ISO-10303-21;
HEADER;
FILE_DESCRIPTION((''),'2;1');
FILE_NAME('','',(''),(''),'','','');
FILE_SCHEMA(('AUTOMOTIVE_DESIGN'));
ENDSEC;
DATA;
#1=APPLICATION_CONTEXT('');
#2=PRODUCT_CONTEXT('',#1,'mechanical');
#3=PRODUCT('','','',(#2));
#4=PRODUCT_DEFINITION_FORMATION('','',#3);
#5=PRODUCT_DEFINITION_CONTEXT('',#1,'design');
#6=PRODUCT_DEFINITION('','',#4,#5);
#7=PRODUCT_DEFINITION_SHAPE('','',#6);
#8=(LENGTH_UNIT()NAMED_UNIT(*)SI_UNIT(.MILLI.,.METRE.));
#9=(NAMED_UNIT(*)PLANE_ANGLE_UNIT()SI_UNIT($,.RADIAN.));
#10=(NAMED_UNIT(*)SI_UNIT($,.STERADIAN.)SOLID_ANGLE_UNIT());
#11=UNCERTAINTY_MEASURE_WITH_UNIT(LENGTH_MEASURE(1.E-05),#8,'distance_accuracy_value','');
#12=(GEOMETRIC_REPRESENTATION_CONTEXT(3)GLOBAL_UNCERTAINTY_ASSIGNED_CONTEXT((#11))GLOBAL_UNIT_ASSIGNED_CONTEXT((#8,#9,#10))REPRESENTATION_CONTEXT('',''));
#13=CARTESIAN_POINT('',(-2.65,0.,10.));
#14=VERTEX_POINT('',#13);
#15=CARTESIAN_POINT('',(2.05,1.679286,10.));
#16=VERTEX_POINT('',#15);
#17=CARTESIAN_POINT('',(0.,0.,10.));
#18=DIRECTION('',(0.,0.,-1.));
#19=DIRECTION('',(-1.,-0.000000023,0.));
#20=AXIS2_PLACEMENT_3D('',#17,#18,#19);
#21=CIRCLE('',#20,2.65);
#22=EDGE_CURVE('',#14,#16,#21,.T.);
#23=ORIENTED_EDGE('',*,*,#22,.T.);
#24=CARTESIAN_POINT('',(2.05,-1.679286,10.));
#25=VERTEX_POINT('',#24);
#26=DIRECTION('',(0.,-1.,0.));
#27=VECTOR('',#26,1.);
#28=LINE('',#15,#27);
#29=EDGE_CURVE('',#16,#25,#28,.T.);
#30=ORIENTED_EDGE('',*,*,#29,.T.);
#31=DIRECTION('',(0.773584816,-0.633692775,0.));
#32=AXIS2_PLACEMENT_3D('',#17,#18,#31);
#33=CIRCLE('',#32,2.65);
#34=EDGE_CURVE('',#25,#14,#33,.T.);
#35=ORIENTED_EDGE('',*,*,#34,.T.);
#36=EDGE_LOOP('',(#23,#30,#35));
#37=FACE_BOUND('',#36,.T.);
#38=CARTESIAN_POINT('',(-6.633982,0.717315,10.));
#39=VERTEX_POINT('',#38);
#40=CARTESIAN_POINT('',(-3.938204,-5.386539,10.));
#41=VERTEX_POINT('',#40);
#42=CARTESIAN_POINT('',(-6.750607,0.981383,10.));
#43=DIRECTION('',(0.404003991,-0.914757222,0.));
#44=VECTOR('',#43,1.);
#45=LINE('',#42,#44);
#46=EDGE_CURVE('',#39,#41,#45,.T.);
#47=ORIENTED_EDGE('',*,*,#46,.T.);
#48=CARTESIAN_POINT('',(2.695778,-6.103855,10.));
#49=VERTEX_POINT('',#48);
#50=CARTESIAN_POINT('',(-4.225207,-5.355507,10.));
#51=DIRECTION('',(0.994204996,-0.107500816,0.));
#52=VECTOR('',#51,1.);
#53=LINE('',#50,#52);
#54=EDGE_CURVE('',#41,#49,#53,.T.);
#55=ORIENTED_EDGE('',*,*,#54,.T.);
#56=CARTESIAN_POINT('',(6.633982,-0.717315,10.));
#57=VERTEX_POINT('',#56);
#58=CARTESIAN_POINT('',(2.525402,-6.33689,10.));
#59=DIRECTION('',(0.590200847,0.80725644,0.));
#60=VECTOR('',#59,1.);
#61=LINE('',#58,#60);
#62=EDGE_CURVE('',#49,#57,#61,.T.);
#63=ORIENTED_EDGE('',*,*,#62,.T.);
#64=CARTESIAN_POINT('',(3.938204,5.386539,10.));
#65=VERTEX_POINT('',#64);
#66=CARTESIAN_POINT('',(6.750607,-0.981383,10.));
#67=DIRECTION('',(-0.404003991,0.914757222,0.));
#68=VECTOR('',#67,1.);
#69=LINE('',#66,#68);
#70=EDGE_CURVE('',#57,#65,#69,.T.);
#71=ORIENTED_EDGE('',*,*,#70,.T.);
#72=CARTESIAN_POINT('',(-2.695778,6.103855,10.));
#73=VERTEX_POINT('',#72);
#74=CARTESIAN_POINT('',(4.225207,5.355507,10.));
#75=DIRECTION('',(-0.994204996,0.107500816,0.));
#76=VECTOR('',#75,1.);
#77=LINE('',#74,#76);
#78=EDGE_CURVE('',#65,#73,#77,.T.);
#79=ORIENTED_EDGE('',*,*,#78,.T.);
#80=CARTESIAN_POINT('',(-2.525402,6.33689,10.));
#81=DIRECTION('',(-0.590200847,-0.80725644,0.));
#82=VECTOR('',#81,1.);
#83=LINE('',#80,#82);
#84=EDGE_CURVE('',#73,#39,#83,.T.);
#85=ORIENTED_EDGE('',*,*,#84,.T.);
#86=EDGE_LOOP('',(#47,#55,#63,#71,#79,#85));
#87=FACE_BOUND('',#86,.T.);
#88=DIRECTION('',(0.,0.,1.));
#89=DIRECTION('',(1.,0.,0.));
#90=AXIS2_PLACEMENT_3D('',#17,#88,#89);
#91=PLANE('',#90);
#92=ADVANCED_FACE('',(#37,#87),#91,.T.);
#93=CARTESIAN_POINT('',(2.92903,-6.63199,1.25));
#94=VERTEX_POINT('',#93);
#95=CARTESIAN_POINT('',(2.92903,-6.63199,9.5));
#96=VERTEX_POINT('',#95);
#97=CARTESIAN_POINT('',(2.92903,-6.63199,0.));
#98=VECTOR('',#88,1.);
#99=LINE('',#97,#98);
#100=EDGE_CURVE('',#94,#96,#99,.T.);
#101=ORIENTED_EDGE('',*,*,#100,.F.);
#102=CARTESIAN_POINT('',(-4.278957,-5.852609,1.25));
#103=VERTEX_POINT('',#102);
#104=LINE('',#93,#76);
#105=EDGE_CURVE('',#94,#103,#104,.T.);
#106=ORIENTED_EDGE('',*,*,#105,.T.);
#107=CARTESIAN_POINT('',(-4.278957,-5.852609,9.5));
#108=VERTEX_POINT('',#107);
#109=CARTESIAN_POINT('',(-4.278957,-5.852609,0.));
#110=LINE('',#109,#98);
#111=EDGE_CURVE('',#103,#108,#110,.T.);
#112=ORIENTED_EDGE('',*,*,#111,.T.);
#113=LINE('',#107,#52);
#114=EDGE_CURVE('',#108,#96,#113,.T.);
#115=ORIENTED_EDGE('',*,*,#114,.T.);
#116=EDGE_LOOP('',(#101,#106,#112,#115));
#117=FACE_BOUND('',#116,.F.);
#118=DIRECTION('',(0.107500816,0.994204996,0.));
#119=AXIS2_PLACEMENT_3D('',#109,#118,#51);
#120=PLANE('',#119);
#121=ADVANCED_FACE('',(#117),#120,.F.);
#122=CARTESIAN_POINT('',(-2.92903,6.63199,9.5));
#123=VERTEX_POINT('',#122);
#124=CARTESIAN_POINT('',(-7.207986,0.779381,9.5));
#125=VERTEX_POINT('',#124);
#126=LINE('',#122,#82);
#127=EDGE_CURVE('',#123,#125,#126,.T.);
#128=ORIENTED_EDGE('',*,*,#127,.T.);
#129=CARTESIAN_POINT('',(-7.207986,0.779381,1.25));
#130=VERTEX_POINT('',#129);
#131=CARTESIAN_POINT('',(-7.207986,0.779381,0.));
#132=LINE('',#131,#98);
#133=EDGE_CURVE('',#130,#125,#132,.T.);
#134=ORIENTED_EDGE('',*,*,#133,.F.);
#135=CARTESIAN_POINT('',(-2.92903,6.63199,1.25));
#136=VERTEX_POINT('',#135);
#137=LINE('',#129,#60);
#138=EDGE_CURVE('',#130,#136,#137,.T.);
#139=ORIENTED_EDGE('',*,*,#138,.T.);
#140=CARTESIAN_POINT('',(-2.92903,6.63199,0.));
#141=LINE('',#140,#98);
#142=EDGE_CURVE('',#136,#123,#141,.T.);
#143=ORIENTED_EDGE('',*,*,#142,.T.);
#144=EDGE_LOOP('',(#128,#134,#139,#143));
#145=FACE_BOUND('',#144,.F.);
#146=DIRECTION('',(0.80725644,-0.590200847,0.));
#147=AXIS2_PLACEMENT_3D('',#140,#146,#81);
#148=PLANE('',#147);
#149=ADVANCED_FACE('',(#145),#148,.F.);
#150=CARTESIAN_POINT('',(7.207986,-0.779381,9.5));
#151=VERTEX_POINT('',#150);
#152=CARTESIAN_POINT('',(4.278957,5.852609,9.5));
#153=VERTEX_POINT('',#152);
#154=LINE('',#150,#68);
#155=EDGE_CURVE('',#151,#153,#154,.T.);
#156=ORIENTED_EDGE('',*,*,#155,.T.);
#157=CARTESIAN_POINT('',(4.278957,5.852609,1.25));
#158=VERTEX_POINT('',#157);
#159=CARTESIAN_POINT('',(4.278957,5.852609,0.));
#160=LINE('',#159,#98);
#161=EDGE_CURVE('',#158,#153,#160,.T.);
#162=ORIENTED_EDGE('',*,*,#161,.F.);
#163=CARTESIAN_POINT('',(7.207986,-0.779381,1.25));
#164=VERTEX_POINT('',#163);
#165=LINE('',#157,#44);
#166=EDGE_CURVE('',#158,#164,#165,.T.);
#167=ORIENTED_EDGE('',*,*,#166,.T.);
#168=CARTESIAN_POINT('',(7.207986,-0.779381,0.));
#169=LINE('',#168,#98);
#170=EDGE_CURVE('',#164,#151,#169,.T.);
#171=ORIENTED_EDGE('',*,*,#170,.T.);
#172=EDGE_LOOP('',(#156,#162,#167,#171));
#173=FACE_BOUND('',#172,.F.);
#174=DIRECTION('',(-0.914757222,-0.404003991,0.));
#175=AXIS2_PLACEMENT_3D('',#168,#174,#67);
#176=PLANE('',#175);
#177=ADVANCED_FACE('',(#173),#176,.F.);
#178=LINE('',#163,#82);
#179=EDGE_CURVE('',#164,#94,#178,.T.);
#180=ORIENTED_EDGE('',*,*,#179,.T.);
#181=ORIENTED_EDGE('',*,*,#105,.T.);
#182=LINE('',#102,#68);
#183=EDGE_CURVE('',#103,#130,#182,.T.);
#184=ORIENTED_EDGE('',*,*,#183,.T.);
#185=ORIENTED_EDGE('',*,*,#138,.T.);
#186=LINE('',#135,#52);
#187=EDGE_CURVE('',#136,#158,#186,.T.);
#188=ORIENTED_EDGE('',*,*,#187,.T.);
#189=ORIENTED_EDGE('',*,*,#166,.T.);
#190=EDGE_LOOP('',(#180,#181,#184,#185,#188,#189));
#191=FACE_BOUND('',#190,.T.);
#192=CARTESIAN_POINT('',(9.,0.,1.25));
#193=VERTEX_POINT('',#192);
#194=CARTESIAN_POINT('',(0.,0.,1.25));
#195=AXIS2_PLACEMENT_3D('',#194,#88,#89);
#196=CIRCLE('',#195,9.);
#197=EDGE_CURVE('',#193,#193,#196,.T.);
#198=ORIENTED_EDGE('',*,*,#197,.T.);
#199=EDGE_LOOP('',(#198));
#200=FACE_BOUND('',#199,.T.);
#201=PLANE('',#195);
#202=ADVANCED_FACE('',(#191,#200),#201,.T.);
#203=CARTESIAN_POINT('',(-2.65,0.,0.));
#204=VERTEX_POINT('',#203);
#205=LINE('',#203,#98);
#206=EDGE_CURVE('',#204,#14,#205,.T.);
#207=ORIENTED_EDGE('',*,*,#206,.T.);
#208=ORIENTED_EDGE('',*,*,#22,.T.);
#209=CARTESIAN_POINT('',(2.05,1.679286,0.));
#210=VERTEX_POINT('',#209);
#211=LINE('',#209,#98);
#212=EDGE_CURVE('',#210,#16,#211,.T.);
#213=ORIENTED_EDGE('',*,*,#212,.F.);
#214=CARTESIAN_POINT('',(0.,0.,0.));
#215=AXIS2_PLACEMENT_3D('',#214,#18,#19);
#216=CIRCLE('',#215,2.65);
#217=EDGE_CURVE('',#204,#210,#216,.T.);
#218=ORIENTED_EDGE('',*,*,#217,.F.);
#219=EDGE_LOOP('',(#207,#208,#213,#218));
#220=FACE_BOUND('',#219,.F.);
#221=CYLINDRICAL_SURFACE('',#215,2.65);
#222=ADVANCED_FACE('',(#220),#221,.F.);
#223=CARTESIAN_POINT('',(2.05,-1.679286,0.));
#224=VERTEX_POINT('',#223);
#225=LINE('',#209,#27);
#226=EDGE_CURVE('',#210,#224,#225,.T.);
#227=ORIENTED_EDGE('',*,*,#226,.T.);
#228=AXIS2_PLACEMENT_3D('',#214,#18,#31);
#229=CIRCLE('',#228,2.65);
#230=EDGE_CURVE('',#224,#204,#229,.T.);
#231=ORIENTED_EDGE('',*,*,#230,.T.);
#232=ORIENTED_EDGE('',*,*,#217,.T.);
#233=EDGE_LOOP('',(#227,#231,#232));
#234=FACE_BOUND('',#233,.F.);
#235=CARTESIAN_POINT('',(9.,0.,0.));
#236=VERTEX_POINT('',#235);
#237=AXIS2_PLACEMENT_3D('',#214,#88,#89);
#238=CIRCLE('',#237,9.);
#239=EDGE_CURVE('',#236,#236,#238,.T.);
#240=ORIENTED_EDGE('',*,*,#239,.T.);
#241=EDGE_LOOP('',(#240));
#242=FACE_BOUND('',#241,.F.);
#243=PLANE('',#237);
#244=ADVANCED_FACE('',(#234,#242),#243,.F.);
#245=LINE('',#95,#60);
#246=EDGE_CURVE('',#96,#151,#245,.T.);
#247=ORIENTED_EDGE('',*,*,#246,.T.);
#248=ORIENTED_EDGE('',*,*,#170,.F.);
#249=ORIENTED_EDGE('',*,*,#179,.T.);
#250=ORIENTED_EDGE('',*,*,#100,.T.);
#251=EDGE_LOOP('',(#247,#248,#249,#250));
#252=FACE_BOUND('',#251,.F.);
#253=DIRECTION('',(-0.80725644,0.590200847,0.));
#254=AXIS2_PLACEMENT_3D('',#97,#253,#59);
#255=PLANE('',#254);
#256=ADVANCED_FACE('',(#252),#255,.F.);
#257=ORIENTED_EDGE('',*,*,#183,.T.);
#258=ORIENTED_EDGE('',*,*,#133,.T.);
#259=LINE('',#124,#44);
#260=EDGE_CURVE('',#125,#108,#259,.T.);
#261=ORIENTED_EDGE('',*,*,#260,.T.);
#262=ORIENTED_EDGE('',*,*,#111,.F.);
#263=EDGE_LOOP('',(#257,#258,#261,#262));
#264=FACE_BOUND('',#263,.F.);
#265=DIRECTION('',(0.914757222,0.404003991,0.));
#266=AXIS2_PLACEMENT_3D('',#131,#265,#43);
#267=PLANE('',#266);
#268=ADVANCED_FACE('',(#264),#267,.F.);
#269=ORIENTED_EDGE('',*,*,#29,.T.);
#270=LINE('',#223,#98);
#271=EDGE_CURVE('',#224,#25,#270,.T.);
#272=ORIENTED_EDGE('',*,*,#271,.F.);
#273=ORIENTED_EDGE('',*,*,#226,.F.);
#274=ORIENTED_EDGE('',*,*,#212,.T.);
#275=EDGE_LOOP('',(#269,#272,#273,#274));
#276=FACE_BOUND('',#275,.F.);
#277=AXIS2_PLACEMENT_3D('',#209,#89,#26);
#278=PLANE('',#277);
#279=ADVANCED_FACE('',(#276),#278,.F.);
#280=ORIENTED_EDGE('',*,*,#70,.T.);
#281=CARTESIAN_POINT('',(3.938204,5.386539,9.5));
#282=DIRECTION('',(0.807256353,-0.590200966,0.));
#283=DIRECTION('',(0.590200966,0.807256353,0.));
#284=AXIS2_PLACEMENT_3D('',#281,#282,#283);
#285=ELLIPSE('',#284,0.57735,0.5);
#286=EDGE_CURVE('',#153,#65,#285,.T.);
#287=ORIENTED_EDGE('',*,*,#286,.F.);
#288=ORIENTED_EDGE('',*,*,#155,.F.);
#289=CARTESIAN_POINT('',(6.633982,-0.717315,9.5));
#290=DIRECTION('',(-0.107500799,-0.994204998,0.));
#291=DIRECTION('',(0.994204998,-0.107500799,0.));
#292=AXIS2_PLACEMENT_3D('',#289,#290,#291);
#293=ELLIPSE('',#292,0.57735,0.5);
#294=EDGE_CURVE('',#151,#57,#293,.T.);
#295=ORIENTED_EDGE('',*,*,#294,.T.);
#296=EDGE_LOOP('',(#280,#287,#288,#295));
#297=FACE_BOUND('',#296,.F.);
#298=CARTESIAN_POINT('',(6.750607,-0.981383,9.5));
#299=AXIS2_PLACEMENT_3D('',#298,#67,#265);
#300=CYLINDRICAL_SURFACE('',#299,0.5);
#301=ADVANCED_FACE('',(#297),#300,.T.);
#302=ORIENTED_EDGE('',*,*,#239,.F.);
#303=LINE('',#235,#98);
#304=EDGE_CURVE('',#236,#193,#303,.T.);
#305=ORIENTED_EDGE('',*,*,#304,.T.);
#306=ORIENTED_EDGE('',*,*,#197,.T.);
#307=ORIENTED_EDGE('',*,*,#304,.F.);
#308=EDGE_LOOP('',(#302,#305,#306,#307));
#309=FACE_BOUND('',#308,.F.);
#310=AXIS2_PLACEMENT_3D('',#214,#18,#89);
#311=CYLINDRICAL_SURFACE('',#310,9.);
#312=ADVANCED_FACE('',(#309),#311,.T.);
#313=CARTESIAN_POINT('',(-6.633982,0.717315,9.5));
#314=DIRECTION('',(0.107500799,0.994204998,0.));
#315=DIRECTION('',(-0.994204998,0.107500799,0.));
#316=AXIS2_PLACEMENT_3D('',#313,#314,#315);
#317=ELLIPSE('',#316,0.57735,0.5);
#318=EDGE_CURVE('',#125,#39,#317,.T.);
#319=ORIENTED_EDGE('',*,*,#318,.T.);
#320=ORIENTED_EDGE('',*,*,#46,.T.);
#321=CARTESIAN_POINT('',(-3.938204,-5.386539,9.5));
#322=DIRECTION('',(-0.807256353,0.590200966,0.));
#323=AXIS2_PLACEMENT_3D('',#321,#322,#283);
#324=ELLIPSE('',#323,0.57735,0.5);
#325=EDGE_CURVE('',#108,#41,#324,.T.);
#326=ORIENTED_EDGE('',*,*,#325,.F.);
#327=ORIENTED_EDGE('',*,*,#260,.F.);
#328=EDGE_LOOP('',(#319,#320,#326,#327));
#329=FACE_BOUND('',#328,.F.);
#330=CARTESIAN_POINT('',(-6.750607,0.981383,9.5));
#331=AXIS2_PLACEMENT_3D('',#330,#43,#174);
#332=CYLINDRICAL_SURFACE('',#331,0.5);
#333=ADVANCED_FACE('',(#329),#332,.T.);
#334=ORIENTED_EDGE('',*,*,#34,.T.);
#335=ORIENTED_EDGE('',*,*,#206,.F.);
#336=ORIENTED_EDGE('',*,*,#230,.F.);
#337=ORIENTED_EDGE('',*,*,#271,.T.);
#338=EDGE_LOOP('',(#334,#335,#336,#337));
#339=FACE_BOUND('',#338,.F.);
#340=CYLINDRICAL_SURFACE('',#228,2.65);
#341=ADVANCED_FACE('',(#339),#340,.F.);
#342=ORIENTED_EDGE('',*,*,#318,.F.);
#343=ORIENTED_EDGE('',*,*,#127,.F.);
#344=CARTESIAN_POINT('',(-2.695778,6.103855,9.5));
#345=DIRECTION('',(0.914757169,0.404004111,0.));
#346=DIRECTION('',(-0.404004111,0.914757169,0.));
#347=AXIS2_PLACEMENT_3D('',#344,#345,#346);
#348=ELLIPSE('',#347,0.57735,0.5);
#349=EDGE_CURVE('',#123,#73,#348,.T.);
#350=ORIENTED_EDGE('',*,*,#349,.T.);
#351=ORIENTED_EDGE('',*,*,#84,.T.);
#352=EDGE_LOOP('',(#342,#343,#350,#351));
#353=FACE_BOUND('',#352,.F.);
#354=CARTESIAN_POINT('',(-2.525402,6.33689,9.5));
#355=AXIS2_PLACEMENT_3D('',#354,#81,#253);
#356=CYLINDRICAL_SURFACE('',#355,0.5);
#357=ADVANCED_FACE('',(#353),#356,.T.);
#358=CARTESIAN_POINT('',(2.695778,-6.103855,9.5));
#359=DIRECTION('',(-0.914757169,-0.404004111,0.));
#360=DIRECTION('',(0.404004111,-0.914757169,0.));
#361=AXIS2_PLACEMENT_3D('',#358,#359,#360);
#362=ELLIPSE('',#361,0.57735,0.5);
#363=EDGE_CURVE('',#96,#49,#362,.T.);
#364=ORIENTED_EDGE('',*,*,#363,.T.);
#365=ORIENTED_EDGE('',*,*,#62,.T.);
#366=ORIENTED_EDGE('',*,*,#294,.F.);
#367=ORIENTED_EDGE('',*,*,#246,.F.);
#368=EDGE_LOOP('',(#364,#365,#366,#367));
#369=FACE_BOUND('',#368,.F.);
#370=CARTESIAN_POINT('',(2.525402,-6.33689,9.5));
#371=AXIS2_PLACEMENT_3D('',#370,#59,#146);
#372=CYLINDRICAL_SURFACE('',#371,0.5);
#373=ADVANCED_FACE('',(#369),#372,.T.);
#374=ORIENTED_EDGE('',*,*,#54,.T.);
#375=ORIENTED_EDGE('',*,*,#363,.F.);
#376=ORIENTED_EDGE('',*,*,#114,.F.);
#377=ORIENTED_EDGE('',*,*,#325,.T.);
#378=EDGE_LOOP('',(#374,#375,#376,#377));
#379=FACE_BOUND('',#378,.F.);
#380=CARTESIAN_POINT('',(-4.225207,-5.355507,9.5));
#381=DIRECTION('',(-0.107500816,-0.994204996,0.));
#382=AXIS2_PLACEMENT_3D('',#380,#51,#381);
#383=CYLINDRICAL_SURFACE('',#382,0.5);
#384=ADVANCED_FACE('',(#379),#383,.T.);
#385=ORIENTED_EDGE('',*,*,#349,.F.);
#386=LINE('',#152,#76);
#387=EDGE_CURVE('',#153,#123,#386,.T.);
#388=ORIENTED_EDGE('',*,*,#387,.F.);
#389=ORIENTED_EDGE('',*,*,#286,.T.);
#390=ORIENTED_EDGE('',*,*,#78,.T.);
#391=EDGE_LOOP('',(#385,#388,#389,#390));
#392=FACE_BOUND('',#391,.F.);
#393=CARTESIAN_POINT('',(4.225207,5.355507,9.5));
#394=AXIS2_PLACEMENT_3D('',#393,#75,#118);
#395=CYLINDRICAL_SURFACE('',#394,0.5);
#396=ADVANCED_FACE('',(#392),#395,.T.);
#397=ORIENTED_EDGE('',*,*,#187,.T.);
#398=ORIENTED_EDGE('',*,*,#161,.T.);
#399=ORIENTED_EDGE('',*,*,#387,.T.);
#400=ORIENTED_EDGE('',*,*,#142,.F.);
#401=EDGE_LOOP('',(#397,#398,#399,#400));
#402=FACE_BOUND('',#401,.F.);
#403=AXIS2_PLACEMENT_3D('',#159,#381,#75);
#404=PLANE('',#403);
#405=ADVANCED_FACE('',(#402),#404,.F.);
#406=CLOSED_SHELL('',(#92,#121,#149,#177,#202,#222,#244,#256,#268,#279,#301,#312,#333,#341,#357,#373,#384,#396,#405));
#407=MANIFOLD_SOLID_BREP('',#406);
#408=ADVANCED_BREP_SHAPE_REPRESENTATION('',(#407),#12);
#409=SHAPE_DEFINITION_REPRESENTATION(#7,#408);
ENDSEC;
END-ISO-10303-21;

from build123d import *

# Parameters (mm, degrees)
F1_DEPTH = 10
F0_R     = 9
F2_DEPTH = 1.25
F3_R     = 0.5


with BuildPart() as f1:
    # F0 (on Top) → F1 (new body)
    with BuildSketch(Plane.XY):
        Polygon((-7.207986, 0.779381), (-4.278957, -5.852609), (2.92903, -6.63199), (7.207986, -0.779381), (4.278957, 5.852609), (-2.92903, 6.63199), align=None)
        with BuildLine():
            ThreePointArc((2.05, 1.679286), (2.495496, 0.891628), (2.65, 0))
            ThreePointArc((2.65, 0), (2.495496, -0.891628), (2.05, -1.679286))
            ThreePointArc((2.05, -1.679286), (-0.891628, -2.495496), (-2.65, 0))
            ThreePointArc((-2.65, 0), (-0.891628, 2.495496), (2.05, 1.679286))
        make_face(mode=Mode.SUBTRACT)
        with BuildLine():
            ThreePointArc((2.05, -1.679286), (2.495496, -0.891628), (2.65, 0))
            ThreePointArc((2.65, 0), (2.495496, 0.891628), (2.05, 1.679286))
            Line((2.05, 1.679286), (2.05, 0))
            Line((2.05, 0), (2.05, -1.679286))
        make_face()
    extrude(amount=F1_DEPTH)

    # F0 (on Top) → F2 (join)
    with BuildSketch(Plane.XY):
        Circle(F0_R)
        Polygon((2.92903, -6.63199), (-4.278957, -5.852609), (-7.207986, 0.779381), (-2.92903, 6.63199), (4.278957, 5.852609), (7.207986, -0.779381), align=None, mode=Mode.SUBTRACT)
    extrude(amount=F2_DEPTH)

    # F3
    f3_edges = [f1.edges().sort_by_distance(p)[0] for p in [
        (-0.674963, -6.242299, 10),
        (5.068508, -3.705685, 10),
        (5.743471, 2.536614, 10),
        (0.674963, 6.242299, 10),
        (-5.068508, 3.705685, 10),
        (-5.743471, -2.536614, 10),
    ]]
    fillet(f3_edges, radius=F3_R)


solid = f1.part
